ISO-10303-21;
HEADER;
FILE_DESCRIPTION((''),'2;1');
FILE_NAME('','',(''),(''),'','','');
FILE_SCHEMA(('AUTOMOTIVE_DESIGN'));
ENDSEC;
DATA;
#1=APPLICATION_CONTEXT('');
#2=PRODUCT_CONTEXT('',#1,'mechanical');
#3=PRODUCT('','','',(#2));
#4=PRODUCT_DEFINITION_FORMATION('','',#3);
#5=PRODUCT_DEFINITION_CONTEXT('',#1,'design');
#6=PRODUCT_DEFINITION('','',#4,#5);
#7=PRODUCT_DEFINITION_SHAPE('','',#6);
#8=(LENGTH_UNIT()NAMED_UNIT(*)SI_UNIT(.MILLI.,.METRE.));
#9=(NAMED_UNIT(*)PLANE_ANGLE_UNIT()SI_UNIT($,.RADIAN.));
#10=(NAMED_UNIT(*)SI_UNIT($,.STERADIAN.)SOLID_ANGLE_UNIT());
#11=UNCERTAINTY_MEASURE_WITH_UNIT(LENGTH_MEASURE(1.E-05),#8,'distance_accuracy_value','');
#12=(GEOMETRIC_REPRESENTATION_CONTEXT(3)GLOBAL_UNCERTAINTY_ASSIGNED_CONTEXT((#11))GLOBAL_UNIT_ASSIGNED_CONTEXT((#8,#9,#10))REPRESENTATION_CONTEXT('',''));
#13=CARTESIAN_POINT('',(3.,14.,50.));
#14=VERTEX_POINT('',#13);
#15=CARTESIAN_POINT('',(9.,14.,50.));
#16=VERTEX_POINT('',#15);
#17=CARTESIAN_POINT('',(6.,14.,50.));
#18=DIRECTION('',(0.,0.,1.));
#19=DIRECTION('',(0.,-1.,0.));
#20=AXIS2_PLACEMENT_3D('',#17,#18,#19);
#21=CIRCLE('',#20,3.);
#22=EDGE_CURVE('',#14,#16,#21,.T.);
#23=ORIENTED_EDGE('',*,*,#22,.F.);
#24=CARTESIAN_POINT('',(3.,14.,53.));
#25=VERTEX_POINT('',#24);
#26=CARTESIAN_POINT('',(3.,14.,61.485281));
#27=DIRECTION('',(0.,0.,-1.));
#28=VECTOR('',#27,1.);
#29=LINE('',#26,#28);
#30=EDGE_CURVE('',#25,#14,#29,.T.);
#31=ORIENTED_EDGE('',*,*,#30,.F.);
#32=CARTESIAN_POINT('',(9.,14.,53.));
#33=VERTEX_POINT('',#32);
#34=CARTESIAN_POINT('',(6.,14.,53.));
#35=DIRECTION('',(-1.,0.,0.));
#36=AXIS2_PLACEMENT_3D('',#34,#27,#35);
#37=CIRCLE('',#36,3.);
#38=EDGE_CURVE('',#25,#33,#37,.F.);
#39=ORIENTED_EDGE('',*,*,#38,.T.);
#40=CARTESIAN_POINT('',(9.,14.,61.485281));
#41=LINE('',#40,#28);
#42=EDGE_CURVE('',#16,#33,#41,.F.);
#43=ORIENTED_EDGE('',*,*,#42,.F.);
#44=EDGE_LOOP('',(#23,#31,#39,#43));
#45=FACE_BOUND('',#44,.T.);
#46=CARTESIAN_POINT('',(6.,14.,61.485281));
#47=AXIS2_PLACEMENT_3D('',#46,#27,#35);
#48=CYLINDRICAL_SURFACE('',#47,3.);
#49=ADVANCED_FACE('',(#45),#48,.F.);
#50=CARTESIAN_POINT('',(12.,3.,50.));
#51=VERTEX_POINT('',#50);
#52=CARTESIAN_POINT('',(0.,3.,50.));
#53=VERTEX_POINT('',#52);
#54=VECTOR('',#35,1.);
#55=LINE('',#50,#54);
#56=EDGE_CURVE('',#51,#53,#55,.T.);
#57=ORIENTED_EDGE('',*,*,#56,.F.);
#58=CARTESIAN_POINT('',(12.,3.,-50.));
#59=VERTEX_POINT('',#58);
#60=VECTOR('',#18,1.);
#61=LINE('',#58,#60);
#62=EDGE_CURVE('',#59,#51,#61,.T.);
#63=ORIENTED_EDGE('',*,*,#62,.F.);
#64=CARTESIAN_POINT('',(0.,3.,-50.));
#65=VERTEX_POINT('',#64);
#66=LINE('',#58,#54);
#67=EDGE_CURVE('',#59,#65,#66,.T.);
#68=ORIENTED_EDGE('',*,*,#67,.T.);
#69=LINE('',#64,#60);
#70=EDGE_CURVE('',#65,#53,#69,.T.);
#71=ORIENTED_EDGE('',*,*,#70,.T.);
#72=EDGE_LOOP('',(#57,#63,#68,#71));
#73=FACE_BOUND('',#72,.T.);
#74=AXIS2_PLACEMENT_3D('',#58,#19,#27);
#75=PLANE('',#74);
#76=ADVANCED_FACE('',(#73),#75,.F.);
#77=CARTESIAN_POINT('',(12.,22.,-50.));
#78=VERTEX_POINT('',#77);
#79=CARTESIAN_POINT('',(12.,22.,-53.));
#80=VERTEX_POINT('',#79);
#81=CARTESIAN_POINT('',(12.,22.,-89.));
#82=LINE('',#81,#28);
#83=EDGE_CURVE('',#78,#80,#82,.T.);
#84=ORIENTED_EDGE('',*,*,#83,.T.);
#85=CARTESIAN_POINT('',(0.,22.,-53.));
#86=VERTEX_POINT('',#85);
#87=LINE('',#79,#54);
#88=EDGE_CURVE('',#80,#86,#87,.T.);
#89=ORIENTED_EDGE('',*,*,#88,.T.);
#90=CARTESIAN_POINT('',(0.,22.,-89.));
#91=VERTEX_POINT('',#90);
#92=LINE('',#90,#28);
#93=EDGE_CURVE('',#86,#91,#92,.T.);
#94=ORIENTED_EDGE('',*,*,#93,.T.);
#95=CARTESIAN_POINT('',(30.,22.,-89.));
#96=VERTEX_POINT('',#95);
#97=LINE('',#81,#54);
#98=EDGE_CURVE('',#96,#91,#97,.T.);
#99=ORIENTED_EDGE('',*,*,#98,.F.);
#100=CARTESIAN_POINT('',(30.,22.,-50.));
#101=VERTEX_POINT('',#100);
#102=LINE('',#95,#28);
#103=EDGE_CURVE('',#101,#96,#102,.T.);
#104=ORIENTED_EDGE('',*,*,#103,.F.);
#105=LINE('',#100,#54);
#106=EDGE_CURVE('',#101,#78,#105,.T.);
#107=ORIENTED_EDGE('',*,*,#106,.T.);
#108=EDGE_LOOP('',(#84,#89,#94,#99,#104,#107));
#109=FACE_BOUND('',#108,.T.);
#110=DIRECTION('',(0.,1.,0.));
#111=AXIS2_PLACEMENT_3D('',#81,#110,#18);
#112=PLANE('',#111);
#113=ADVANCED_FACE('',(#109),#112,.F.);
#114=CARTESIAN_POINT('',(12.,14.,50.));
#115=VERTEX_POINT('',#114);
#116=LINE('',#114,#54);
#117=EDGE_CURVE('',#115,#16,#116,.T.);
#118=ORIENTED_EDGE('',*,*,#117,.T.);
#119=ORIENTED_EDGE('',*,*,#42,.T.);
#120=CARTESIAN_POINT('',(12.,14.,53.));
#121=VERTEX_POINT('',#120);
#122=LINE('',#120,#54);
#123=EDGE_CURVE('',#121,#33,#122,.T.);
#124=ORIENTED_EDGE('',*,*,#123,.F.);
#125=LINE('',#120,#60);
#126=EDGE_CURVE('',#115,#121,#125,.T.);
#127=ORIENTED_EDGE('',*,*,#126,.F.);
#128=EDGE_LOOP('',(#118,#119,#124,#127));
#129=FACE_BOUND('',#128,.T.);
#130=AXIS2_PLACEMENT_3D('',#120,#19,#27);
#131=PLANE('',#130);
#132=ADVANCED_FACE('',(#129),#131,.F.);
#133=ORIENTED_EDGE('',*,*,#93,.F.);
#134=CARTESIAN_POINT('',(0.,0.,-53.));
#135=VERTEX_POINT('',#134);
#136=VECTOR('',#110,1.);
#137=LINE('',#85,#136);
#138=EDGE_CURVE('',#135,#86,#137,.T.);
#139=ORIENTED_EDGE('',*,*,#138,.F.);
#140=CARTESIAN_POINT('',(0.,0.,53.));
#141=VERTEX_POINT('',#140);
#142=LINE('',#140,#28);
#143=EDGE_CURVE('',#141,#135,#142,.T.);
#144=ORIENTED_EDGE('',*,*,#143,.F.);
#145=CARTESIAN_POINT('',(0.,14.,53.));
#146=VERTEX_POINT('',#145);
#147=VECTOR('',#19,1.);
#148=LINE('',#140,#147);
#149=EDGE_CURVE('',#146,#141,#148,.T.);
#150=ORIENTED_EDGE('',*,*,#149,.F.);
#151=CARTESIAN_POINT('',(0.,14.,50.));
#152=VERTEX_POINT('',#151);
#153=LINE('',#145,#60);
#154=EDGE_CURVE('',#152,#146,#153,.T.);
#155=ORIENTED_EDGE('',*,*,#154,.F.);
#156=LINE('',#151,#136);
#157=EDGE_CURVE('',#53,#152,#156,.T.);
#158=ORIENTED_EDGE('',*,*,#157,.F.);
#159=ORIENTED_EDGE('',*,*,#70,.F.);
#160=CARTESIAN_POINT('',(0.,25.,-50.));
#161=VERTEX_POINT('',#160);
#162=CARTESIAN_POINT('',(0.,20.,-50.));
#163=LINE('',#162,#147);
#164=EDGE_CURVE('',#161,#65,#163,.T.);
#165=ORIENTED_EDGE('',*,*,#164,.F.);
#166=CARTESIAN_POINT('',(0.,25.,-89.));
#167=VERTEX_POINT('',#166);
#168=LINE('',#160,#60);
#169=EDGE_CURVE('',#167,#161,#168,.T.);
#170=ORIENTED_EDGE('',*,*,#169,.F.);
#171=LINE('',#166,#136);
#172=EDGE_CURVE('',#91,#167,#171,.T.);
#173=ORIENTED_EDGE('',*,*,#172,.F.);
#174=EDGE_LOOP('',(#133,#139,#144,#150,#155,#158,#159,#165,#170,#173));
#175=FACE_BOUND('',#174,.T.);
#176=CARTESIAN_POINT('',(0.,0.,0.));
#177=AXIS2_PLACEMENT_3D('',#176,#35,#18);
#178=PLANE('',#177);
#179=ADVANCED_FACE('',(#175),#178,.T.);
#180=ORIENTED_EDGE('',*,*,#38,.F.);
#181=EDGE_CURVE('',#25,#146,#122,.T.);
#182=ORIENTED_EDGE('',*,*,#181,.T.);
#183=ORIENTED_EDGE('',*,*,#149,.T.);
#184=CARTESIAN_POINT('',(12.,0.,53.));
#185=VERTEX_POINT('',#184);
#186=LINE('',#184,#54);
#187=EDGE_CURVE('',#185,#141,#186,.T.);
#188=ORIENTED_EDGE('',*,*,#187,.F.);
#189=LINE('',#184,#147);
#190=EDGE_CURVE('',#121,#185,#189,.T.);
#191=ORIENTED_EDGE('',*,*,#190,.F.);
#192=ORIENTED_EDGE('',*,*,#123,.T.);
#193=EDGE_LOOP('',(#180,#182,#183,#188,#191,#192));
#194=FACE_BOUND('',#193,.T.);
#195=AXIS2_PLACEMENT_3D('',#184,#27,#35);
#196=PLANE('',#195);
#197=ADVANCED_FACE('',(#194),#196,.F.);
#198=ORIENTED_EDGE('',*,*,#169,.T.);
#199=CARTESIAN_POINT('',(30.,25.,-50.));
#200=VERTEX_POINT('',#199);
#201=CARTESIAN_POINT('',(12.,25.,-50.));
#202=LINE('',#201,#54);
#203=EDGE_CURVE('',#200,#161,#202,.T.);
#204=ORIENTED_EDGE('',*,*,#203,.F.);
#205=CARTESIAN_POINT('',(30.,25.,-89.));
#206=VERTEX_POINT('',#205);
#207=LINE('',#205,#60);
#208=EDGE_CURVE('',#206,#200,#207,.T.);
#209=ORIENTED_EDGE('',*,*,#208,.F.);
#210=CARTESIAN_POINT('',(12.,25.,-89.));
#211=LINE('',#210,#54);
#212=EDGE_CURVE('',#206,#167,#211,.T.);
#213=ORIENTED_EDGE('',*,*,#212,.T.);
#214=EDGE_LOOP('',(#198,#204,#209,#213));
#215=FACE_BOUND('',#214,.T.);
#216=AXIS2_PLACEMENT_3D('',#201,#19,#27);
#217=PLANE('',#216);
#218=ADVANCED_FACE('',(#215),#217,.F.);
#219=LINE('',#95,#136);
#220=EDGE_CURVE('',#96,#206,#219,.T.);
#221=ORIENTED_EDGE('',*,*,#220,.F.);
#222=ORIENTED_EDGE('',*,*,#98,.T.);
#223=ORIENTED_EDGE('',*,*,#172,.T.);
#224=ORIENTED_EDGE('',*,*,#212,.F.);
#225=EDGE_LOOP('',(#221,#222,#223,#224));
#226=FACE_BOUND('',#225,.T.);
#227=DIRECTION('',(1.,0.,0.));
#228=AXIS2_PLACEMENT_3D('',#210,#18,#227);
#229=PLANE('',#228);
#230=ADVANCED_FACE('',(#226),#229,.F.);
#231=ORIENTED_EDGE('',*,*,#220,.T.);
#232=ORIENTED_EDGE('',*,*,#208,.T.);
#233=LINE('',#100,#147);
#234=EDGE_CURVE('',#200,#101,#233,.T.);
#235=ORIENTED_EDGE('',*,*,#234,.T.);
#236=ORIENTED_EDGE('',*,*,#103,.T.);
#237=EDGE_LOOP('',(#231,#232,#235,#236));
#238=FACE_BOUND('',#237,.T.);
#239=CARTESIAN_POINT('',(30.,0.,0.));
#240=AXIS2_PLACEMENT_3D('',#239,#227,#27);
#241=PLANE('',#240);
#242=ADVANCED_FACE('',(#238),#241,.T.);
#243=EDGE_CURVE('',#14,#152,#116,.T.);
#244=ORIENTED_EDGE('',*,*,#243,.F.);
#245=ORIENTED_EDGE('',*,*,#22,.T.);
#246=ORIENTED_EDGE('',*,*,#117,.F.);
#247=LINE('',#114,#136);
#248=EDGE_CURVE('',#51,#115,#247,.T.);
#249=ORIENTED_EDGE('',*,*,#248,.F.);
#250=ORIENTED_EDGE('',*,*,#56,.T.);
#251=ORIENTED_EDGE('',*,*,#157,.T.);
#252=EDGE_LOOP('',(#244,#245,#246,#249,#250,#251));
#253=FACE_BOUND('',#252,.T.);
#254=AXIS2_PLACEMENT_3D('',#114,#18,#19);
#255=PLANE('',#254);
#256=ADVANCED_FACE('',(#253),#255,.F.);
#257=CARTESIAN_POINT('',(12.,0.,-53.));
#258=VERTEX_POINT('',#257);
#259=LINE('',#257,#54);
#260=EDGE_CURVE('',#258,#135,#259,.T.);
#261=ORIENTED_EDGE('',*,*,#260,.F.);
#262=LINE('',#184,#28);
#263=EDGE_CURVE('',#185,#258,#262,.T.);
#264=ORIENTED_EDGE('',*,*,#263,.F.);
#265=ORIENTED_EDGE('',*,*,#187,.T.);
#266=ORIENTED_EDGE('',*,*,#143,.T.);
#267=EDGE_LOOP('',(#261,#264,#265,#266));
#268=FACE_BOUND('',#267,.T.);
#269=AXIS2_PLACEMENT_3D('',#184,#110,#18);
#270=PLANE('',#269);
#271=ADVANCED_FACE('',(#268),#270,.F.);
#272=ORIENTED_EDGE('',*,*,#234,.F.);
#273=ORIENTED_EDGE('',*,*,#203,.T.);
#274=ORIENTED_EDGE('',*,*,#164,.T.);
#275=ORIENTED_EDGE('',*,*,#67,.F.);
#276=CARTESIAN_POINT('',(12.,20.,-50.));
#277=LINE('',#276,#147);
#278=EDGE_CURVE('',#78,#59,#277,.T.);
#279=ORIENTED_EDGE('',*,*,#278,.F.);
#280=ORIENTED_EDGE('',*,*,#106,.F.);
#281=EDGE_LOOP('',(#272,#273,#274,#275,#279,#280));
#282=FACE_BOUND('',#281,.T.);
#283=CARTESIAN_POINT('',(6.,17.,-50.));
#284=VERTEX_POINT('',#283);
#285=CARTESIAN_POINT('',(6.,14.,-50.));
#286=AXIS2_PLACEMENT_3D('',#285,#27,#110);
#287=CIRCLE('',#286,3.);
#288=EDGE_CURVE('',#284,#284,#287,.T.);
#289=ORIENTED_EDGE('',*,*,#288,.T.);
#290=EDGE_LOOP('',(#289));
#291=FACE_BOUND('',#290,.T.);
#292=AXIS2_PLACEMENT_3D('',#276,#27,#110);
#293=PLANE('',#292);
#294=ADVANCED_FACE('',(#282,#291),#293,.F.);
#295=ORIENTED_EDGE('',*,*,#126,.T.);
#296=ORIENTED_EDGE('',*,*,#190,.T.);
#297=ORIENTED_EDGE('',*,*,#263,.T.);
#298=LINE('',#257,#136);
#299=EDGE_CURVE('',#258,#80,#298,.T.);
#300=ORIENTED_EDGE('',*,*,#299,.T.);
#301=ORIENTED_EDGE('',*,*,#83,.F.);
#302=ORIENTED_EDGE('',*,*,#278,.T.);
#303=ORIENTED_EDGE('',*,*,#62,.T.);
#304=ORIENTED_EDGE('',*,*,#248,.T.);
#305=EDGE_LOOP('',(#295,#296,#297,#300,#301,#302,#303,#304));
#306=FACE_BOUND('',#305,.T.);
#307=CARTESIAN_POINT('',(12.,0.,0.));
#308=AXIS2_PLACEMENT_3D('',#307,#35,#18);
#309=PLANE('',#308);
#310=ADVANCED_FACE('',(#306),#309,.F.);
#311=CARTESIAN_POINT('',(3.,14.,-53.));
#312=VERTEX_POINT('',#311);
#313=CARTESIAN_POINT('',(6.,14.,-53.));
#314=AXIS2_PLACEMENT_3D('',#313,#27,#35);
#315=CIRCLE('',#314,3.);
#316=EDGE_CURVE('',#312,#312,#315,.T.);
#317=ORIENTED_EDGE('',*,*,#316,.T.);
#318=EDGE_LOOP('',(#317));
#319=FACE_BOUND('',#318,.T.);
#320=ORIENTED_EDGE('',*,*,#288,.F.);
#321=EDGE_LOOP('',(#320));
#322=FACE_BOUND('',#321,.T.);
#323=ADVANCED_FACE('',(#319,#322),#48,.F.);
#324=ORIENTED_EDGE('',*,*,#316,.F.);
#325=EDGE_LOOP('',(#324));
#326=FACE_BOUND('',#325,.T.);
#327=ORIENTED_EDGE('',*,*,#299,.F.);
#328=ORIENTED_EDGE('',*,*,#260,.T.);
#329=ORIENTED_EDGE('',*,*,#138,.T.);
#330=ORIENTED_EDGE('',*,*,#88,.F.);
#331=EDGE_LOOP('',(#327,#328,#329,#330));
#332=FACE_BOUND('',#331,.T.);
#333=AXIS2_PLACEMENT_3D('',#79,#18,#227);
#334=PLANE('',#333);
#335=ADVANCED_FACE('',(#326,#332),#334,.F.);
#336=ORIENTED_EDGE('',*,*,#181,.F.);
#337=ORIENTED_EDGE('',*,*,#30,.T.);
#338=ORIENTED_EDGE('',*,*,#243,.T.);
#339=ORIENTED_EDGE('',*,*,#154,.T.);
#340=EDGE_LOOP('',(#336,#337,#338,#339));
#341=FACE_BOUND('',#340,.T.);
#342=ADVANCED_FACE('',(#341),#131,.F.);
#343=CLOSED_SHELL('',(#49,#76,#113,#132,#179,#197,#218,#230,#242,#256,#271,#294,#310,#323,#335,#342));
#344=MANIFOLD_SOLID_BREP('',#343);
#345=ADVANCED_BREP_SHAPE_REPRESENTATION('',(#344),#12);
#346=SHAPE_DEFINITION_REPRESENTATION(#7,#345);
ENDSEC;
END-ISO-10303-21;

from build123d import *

# Parameters (mm, degrees)
EXTRUDE_1_DEPTH     = 12
CUT_EXTRUDE_1_REACH = 111.567
SKETCH_3_R          = 3
SKETCH_5_W          = 39
SKETCH_5_H          = 3
EXTRUDE_2_DEPTH     = 18


with BuildPart() as part:
    # 草图2 → 凸台-拉伸1 (new body)
    with BuildSketch(Plane(origin=(0, 0, 0), x_dir=(0, 0, -1), z_dir=(1, 0, 0))):
        Polygon((-53, 0), (53, 0), (53, 20), (53, 22), (89, 22), (89, 25), (50, 25), (50, 20), (50, 3), (-50, 3), (-50, 14), (-53, 14), align=None)
    extrude(amount=EXTRUDE_1_DEPTH)

    # 切除-拉伸1: up to this face of the body (flat: up to its plane)
    cut_extrude_1_end = Plane(part.part.faces().sort_by_distance((6, 7, 53))[0])
    # 草图3 → 切除-拉伸1 (cut, up to the picked face)
    with BuildSketch(Plane(origin=(0, 0, -53), x_dir=(-1, 0, 0), z_dir=(0, 0, -1)), mode=Mode.PRIVATE) as cut_extrude_1_sk1:
        with Locations((-6, 14)):
            Circle(SKETCH_3_R)
    cut_extrude_1_tool1 = split(extrude(cut_extrude_1_sk1.sketch, amount=-CUT_EXTRUDE_1_REACH, mode=Mode.PRIVATE), bisect_by=cut_extrude_1_end, keep=Keep.BOTH, mode=Mode.PRIVATE)
    add(cut_extrude_1_tool1.solids().sort_by(Axis((6, 14, -53), (0, 0, 1)))[0], mode=Mode.SUBTRACT)

    # 草图5 → 凸台-拉伸2 (add)
    with BuildSketch(Plane(origin=(12, 0, 0), x_dir=(0, 0, -1), z_dir=(1, 0, 0))):
        with Locations((69.5, 23.5)):
            Rectangle(SKETCH_5_W, SKETCH_5_H)
    extrude(amount=EXTRUDE_2_DEPTH)


solid = part.part
